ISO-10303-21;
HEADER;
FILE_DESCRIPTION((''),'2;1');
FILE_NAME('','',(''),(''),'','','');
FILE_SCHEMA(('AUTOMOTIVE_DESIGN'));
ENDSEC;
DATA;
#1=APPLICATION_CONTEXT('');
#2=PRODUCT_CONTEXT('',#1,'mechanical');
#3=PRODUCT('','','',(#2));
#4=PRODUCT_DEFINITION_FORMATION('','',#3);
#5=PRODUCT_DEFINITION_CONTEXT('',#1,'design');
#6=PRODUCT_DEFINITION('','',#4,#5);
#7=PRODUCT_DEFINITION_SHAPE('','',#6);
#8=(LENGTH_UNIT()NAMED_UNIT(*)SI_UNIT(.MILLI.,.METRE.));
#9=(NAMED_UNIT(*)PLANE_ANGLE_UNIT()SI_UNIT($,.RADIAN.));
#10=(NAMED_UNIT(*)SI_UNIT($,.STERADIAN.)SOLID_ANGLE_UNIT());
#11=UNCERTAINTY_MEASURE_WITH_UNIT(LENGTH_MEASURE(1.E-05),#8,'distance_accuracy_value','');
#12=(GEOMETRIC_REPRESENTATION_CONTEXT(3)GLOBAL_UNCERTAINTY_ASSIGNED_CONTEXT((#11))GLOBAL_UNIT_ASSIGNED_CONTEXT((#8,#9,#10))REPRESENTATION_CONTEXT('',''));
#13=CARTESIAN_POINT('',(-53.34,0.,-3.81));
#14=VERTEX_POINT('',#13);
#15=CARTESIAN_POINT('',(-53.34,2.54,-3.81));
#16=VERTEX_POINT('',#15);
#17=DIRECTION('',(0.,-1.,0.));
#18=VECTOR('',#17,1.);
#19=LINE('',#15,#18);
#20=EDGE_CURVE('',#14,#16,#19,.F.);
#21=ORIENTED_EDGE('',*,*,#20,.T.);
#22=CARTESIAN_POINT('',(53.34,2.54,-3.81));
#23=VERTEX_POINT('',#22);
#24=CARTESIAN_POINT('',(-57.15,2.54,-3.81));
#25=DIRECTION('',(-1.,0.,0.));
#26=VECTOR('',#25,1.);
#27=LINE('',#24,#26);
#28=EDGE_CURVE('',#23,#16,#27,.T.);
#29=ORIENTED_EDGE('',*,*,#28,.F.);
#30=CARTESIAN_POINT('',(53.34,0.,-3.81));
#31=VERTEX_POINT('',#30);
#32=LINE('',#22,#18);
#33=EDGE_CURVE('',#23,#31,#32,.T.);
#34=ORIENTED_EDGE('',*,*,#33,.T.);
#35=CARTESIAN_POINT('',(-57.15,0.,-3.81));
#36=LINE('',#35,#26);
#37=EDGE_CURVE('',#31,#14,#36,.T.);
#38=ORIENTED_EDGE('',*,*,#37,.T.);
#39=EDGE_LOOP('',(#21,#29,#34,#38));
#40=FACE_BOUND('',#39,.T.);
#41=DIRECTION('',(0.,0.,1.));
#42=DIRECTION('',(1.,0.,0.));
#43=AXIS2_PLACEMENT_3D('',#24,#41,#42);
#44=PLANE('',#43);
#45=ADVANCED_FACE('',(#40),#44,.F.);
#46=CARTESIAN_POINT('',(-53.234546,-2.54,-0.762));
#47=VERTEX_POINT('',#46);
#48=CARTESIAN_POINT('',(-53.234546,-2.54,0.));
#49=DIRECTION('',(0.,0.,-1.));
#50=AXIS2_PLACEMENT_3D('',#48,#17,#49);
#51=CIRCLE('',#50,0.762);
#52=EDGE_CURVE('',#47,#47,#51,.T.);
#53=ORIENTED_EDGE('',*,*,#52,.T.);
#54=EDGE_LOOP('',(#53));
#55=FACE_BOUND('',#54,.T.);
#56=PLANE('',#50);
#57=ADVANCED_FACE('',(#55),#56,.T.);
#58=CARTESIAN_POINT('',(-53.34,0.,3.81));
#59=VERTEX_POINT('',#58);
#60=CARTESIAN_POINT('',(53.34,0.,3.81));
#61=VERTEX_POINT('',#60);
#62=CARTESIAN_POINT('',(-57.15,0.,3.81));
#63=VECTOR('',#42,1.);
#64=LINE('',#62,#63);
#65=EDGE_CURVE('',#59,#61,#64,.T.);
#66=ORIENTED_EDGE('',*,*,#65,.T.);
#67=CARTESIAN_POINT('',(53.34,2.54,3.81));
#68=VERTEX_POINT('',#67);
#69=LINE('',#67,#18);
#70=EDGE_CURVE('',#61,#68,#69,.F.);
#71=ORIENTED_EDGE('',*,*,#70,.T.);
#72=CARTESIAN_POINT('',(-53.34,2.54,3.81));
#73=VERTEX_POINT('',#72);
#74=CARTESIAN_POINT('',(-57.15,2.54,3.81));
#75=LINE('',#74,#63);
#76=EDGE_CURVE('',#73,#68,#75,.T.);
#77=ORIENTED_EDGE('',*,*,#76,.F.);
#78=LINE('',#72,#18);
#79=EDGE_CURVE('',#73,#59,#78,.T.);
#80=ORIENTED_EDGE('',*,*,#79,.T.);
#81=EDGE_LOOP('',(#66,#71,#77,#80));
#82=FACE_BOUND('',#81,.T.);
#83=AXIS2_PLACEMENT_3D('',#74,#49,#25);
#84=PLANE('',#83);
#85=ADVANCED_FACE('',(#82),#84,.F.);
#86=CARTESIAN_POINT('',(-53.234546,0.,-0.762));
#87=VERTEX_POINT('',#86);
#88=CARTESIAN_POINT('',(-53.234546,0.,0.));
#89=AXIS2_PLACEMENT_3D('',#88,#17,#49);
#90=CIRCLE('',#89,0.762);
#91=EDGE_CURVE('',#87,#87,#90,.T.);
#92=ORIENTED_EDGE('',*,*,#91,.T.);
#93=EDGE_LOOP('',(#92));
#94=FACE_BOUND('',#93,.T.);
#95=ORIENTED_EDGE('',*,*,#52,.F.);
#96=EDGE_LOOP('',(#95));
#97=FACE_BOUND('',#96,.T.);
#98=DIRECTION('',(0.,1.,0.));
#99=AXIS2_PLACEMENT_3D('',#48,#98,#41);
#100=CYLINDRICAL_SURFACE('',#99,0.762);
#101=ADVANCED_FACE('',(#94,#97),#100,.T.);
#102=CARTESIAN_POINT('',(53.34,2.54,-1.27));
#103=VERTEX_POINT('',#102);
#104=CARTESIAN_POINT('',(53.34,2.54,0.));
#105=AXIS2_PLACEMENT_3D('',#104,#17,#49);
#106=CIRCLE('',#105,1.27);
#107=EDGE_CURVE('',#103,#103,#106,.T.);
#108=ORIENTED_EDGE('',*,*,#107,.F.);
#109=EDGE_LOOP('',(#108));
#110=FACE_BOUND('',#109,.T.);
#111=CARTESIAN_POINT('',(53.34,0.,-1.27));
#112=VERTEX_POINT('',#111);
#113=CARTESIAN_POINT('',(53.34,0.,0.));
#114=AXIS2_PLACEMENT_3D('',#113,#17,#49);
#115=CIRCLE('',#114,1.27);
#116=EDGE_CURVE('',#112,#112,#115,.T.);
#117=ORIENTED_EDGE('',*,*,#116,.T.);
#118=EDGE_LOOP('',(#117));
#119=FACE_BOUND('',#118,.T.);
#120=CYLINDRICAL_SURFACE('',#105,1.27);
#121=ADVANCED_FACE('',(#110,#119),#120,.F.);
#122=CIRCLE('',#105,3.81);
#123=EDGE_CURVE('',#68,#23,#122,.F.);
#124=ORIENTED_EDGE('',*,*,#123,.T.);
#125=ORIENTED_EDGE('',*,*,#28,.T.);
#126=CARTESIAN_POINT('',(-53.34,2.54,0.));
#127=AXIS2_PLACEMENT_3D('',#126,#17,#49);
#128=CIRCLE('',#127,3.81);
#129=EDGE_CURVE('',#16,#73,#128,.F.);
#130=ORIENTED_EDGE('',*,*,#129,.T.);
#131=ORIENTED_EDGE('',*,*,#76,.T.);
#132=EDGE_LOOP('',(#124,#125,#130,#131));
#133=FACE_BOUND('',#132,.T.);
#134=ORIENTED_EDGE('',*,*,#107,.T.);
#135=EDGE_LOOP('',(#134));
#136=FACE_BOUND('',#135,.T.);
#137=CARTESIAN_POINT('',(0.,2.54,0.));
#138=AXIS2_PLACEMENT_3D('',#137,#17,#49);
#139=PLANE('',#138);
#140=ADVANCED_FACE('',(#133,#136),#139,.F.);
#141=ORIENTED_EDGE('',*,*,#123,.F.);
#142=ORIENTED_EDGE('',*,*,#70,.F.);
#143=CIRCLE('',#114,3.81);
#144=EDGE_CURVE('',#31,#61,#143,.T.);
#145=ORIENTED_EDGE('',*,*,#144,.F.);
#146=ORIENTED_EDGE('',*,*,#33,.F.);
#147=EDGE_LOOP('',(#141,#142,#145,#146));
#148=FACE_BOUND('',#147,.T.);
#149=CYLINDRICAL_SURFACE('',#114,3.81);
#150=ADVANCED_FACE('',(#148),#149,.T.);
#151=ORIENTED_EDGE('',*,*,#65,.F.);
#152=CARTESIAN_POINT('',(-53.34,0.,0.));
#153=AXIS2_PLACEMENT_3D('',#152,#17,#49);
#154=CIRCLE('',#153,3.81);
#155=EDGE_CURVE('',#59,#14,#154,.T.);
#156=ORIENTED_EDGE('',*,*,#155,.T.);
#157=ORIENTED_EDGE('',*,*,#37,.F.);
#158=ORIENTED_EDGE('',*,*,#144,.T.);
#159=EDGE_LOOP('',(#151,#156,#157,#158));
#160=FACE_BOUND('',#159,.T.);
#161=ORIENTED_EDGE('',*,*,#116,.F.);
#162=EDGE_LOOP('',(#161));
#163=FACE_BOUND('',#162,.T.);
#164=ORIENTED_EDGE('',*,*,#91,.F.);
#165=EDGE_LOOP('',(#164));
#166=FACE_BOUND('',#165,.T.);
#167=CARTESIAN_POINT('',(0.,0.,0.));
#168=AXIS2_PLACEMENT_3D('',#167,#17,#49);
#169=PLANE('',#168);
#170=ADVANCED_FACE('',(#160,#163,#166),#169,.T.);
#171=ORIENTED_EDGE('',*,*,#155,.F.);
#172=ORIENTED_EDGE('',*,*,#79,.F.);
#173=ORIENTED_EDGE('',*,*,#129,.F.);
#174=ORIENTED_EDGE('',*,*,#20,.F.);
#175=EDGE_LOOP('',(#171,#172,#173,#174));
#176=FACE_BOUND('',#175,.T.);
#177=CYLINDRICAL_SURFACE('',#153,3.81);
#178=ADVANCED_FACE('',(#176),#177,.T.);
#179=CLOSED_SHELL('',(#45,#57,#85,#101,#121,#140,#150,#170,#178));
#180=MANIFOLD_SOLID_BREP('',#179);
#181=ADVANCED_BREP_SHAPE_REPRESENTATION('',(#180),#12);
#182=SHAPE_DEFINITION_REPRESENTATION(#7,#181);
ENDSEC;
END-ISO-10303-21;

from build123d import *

# Parameters (mm, degrees)
SKETCH1_W           = 114.3
SKETCH1_H           = 7.62
BOSS_EXTRUDE1_DEPTH = 2.54
FILLET1_RADIUS      = 3.81
FILLET1_LENGTH      = 2.54
FILLET4_RADIUS      = 3.81
FILLET4_LENGTH      = 2.54
SKETCH4_R           = 1.27
CUT_EXTRUDE1_DEPTH  = 2.54
SKETCH6_R           = 0.762
BOSS_EXTRUDE3_DEPTH = 2.54


with BuildPart() as part:
    # Sketch1 → Boss-Extrude1 (new body)
    with BuildSketch(Plane(origin=(0, 0, 0), x_dir=(1, 0, 0), z_dir=(0, 1, 0))):
        Rectangle(SKETCH1_W, SKETCH1_H)
    extrude(amount=BOSS_EXTRUDE1_DEPTH)

    # Fillet1: full round fillet: the end face becomes a half cylinder, R = half its width
    fillet1_face = Plane((57.15, 1.27, 0), x_dir=(0, -1, 0), z_dir=(1, 0, 0))  # on the end face: x along it, z out of the body
    fillet1_slab = fillet1_face.offset(-FILLET1_RADIUS / 2) * Box(FILLET1_LENGTH, 2 * FILLET1_RADIUS, FILLET1_RADIUS, mode=Mode.PRIVATE)  # the body's end, R deep
    fillet1_round = Plane((53.34, 1.27, 0), x_dir=(1, 0, 0), z_dir=(0, -1, 0)) * Cylinder(FILLET1_RADIUS, FILLET1_LENGTH, mode=Mode.PRIVATE)  # its axis R under the face
    add(fillet1_slab - fillet1_round, mode=Mode.SUBTRACT)

    # Fillet4: full round fillet: the end face becomes a half cylinder, R = half its width
    fillet4_face = Plane((-57.15, 1.27, 0), x_dir=(0, 1, 0), z_dir=(-1, 0, 0))  # on the end face: x along it, z out of the body
    fillet4_slab = fillet4_face.offset(-FILLET4_RADIUS / 2) * Box(FILLET4_LENGTH, 2 * FILLET4_RADIUS, FILLET4_RADIUS, mode=Mode.PRIVATE)  # the body's end, R deep
    fillet4_round = Plane((-53.34, 1.27, 0), x_dir=(-1, 0, 0), z_dir=(0, 1, 0)) * Cylinder(FILLET4_RADIUS, FILLET4_LENGTH, mode=Mode.PRIVATE)  # its axis R under the face
    add(fillet4_slab - fillet4_round, mode=Mode.SUBTRACT)

    # Sketch4 → Cut-Extrude1 (cut)
    with BuildSketch(Plane(origin=(0, 0, 0), x_dir=(-1, 0, 0), z_dir=(0, -1, 0))):
        with Locations(Location((-53.34, 0, 0), (0, 0, 90))):
            Circle(SKETCH4_R)
    extrude(amount=-CUT_EXTRUDE1_DEPTH, mode=Mode.SUBTRACT)

    # Sketch6 → Boss-Extrude3 (add)
    with BuildSketch(Plane(origin=(0, 0, 0), x_dir=(-1, 0, 0), z_dir=(0, -1, 0))):
        with Locations(Location((53.234546108, 0, 0), (0, 0, 90))):
            Circle(SKETCH6_R)
    extrude(amount=BOSS_EXTRUDE3_DEPTH)


solid = part.part
